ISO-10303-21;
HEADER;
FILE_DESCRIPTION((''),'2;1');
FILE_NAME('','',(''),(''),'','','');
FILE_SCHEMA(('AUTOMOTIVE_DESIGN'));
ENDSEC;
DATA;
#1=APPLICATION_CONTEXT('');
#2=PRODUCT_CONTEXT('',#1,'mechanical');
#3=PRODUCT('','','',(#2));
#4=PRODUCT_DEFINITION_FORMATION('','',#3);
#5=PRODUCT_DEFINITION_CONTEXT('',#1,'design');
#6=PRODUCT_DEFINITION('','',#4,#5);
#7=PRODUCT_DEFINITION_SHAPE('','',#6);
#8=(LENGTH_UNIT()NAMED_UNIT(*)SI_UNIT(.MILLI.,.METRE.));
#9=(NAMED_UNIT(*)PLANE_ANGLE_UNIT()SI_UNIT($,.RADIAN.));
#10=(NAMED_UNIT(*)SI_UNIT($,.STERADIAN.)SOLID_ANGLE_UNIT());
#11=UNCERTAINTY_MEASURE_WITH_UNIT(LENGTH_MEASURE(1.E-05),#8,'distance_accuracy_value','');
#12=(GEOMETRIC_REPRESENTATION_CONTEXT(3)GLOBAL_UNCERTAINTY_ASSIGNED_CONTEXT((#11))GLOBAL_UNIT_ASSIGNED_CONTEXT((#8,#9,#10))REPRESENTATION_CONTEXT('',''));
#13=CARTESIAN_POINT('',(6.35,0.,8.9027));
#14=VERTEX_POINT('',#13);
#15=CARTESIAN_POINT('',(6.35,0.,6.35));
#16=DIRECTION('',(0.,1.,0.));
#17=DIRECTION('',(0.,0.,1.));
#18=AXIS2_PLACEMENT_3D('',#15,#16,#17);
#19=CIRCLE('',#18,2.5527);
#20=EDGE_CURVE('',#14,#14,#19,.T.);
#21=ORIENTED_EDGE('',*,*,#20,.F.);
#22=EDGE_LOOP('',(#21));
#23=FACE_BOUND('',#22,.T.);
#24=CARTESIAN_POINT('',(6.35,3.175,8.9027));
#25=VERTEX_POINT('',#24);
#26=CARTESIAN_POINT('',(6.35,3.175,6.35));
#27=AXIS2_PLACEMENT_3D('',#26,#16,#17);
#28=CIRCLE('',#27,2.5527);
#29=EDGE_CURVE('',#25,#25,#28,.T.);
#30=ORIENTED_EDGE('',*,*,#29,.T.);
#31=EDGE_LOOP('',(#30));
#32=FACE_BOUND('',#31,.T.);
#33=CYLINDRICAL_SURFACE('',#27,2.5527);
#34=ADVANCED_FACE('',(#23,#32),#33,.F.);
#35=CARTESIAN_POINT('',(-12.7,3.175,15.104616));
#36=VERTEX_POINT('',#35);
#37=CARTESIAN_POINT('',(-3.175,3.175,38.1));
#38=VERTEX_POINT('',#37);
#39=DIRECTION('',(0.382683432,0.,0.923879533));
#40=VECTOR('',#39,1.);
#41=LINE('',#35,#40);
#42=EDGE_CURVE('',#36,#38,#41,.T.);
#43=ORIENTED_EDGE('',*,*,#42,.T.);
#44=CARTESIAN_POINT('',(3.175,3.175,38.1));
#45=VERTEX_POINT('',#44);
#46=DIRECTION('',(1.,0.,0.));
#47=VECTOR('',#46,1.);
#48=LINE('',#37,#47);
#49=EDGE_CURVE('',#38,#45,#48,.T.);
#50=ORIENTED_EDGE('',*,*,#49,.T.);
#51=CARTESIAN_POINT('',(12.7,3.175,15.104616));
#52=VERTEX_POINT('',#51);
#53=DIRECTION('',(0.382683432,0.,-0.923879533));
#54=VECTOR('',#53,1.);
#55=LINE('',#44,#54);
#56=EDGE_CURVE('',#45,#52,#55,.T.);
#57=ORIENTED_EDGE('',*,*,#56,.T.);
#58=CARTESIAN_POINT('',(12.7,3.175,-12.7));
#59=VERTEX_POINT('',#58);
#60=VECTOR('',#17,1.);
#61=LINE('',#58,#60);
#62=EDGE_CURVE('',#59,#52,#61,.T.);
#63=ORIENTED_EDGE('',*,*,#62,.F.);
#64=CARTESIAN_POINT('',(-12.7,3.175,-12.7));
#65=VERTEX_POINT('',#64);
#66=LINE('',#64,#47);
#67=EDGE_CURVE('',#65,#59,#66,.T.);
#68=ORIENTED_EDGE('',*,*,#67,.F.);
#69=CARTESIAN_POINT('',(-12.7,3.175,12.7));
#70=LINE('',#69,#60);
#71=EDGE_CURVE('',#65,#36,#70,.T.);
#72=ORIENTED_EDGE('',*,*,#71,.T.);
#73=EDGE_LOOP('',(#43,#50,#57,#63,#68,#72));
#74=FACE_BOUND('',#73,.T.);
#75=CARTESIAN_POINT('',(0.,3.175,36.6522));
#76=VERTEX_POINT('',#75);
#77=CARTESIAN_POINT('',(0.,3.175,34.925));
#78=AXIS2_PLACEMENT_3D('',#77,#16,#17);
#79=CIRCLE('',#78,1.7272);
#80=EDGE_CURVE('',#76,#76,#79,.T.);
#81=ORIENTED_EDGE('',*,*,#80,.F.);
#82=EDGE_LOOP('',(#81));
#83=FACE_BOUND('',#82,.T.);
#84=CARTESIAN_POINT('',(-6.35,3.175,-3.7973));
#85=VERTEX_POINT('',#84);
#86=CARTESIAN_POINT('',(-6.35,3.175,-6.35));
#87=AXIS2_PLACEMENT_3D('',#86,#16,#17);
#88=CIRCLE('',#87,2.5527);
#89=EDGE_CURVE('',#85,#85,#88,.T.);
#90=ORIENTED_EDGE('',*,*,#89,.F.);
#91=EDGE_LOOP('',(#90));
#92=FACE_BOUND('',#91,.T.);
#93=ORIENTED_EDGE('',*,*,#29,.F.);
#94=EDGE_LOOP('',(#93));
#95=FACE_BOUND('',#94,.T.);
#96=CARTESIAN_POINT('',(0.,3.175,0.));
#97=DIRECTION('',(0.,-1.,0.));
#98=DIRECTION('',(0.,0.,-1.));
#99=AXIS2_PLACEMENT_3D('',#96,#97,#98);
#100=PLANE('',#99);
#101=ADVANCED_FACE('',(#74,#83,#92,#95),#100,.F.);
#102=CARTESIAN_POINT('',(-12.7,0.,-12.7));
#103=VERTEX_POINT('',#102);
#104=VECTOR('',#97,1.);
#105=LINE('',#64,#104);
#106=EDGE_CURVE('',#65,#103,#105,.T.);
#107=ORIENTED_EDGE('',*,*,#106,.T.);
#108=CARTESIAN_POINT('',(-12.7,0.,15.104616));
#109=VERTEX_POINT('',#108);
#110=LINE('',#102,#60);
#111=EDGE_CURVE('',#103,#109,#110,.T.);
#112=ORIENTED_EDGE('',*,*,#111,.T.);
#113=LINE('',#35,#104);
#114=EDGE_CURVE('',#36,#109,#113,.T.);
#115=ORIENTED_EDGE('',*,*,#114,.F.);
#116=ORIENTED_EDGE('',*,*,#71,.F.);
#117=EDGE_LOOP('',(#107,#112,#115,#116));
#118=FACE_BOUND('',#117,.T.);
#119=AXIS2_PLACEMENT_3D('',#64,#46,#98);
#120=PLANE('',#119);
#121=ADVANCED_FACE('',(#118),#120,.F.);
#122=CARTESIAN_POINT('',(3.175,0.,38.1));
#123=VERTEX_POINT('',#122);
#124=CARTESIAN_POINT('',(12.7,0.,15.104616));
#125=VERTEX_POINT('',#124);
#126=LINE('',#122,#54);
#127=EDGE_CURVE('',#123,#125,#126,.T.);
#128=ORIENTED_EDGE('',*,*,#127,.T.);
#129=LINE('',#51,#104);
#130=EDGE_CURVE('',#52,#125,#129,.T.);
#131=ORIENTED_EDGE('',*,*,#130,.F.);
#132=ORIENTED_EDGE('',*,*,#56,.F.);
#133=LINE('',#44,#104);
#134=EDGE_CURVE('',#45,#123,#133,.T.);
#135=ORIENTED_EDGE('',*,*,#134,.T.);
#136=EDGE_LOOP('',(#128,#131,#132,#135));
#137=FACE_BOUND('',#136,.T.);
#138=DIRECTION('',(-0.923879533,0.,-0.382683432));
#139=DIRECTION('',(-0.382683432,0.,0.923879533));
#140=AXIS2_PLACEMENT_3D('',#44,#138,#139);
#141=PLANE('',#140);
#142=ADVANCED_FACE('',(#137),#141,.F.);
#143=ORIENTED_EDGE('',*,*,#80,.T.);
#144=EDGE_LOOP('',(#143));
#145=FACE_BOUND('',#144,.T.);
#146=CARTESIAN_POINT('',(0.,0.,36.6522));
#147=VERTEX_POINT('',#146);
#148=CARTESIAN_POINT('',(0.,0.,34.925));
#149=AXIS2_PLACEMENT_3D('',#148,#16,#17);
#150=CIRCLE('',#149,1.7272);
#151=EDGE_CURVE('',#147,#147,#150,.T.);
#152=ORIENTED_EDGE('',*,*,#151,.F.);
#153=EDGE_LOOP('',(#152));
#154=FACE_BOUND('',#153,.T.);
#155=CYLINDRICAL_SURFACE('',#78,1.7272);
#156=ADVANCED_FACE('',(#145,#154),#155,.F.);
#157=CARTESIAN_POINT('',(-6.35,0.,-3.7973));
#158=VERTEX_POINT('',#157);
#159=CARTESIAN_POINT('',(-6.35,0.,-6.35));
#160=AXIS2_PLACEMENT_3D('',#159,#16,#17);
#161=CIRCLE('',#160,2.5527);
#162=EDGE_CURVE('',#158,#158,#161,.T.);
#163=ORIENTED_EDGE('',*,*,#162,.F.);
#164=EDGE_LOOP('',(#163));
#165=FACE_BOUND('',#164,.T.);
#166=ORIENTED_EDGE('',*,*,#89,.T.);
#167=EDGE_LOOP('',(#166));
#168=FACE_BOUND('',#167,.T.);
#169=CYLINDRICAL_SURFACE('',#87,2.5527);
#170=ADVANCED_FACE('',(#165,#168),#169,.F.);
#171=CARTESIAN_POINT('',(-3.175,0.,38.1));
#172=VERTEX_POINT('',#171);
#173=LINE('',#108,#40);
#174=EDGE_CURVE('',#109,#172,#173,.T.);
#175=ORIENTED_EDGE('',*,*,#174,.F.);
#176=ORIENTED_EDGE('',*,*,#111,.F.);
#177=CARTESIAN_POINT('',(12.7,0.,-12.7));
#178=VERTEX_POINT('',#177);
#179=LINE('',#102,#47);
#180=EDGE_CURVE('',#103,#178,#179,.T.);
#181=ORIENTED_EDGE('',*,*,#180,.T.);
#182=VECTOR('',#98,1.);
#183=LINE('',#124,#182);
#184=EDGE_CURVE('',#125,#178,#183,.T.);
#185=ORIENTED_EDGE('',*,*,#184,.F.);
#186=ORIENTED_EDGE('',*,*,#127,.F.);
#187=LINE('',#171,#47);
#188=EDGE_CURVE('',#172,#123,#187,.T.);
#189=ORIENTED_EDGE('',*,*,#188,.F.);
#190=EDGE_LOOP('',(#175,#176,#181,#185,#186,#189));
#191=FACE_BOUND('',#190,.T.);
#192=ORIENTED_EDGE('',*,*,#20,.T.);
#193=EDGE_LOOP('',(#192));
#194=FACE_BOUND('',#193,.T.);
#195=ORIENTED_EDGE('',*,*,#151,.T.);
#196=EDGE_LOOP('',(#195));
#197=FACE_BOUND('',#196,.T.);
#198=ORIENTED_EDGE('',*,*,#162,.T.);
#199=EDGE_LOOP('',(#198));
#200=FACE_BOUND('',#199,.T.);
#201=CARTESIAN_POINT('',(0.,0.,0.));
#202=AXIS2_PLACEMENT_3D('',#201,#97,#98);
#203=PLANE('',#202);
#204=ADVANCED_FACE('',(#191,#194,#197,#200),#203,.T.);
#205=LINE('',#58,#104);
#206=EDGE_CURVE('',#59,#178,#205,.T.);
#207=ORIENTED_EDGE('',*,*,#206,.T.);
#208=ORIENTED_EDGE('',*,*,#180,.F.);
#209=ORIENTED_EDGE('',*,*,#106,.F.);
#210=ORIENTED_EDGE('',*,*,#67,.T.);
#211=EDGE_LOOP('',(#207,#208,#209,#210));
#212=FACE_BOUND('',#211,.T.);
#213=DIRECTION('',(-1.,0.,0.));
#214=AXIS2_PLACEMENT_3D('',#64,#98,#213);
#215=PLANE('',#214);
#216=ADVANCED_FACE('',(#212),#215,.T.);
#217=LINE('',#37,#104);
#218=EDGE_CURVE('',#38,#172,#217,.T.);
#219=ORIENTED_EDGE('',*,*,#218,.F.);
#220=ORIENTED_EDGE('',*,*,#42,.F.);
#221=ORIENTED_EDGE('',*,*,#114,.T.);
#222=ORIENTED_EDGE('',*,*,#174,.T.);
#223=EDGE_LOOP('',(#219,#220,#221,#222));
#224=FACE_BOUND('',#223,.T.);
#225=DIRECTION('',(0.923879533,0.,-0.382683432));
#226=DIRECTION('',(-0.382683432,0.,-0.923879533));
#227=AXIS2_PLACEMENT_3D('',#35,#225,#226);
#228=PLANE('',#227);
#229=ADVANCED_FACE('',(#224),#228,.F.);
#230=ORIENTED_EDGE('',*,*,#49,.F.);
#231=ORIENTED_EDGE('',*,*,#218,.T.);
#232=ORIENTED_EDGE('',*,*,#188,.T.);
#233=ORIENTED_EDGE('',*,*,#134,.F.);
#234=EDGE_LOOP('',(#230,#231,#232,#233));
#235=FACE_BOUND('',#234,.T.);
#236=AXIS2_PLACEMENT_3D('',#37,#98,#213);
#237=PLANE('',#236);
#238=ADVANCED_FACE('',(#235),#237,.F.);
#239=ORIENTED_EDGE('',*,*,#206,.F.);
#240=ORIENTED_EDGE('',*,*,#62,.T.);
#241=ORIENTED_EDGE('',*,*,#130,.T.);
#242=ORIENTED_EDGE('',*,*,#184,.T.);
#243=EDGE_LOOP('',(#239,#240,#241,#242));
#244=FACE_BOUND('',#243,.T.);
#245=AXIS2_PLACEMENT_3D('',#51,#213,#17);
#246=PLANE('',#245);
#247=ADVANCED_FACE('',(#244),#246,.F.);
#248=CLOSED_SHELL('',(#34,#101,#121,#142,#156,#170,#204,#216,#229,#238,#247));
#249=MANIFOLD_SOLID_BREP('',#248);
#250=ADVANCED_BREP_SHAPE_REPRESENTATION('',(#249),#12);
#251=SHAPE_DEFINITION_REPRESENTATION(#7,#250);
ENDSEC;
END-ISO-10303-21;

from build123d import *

# Parameters (mm, degrees)
BOSS_EXTRUDE1_DEPTH    = 3.175
F_10_CLEARANCE_HOLE1_D = 5.1054
F_8_32_TAPPED_HOLE1_D  = 3.4544


with BuildPart() as part:
    # Sketch1 → Boss-Extrude1 (new body)
    with BuildSketch(Plane(origin=(0, 0, 0), x_dir=(1, 0, 0), z_dir=(0, 1, 0))):
        Polygon((-12.7, -12.7), (-12.7, -15.104615818), (-3.175, -38.1), (3.175, -38.1), (12.7, -15.104615818), (12.7, -12.7), (12.7, 12.7), (-12.7, 12.7), align=None)
    extrude(amount=BOSS_EXTRUDE1_DEPTH)

    # #10 Clearance Hole1 (through all)
    with Locations(Plane(origin=(0, 3.175, 0), x_dir=(1, 0, 0), z_dir=(0, 1, 0))):
        with Locations((-6.35, 6.35), (6.35, -6.35)):
            Hole(F_10_CLEARANCE_HOLE1_D / 2)

    # #8-32 Tapped Hole1 (through all)
    with Locations(Plane(origin=(0, 3.175, 0), x_dir=(1, 0, 0), z_dir=(0, 1, 0))):
        with Locations((0, -34.925)):
            Hole(F_8_32_TAPPED_HOLE1_D / 2)


solid = part.part
